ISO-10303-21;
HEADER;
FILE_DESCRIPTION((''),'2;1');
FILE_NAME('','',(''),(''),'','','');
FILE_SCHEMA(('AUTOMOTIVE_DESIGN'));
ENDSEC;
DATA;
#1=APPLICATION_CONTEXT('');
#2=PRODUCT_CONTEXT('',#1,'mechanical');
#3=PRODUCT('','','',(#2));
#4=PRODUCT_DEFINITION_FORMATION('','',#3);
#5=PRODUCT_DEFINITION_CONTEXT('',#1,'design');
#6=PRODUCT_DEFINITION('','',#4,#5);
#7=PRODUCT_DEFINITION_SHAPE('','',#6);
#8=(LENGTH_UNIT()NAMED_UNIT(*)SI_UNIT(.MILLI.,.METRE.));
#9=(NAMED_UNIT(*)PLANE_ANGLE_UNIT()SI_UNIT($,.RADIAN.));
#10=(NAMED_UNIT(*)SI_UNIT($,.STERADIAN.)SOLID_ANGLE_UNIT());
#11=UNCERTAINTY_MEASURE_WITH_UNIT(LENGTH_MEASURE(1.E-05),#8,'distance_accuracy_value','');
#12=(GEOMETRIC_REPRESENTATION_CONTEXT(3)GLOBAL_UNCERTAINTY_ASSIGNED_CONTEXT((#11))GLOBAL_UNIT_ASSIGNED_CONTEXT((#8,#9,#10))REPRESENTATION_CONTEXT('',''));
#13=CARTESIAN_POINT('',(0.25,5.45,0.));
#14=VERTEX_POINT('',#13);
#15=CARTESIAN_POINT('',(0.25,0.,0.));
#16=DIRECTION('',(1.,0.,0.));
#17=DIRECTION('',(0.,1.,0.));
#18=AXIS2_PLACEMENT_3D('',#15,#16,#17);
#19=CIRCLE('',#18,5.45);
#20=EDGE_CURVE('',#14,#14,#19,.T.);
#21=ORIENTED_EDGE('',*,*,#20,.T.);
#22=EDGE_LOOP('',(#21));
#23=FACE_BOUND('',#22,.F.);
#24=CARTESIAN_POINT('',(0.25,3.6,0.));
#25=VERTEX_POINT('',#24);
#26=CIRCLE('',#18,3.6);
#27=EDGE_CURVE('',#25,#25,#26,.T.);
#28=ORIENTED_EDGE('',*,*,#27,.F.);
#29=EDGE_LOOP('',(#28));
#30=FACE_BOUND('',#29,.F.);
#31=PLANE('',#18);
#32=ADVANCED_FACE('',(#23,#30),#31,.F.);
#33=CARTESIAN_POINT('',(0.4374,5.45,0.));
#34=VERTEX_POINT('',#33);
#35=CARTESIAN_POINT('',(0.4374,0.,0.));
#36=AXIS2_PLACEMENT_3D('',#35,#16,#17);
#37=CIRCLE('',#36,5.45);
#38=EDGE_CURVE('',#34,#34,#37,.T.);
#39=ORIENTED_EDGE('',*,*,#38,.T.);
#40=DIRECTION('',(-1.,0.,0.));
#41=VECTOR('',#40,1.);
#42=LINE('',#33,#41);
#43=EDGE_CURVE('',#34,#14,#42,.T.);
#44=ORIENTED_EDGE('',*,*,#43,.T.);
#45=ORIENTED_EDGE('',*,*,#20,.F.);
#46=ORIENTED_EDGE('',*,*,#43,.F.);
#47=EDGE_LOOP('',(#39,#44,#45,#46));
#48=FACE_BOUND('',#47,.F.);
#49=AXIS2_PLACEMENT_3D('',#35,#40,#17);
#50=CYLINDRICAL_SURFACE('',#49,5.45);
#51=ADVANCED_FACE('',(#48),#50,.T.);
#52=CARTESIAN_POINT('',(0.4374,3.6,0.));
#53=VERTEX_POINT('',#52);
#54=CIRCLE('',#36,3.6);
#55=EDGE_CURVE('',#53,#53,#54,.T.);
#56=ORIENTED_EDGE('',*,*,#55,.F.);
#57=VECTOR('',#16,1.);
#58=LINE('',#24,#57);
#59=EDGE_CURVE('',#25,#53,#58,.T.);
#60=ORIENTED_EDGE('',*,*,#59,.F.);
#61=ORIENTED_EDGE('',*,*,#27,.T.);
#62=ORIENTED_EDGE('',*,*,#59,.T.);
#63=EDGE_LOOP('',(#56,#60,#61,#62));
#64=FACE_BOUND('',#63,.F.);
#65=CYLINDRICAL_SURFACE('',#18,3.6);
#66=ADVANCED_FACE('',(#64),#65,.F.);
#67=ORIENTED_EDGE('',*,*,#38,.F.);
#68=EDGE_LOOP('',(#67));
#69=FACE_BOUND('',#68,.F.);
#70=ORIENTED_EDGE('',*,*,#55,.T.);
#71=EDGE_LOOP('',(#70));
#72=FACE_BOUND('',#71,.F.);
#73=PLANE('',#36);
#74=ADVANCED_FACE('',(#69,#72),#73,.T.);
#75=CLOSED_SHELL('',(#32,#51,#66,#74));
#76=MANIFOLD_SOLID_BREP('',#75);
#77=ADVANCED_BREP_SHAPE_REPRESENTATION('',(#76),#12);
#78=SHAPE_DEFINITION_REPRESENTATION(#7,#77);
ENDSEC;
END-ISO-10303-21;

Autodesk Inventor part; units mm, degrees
sketch "Sketch_1" plane through (0, 0, 0) normal (0, 0, 1) x (1, 0, 0)
  line L0 (0.4374, 0) -> (0.25, 0)
  line L1 (0.25, 3.6) -> (0.4374, 3.6)
  line L2 (0.4374, 3.6) -> (0.4374, 5.45)
  line L3 (0.4374, 5.45) -> (0.25, 5.45)
  line L4 (0.25, 5.45) -> (0.25, 3.6)
revolve "Revolution1" add sketch "Sketch_1" angle 360 about axis through (0.4374, 0, 0) along (1, 0, 0)
ref_plane "ip_st_1_XY" through (0.25, 0, 0) normal (-1, 0, 0) x (0, 0, -1)
ref_plane "ip_st_1_YZ" through (0.25, 0, 0) normal (0, 0, -1) x (0, -1, 0)
ref_plane "ip_st_1_ZX" through (0.25, 0, 0) normal (0, -1, 0) x (-1, 0, 0)
properties part number "MF126ZZ Shield1"
